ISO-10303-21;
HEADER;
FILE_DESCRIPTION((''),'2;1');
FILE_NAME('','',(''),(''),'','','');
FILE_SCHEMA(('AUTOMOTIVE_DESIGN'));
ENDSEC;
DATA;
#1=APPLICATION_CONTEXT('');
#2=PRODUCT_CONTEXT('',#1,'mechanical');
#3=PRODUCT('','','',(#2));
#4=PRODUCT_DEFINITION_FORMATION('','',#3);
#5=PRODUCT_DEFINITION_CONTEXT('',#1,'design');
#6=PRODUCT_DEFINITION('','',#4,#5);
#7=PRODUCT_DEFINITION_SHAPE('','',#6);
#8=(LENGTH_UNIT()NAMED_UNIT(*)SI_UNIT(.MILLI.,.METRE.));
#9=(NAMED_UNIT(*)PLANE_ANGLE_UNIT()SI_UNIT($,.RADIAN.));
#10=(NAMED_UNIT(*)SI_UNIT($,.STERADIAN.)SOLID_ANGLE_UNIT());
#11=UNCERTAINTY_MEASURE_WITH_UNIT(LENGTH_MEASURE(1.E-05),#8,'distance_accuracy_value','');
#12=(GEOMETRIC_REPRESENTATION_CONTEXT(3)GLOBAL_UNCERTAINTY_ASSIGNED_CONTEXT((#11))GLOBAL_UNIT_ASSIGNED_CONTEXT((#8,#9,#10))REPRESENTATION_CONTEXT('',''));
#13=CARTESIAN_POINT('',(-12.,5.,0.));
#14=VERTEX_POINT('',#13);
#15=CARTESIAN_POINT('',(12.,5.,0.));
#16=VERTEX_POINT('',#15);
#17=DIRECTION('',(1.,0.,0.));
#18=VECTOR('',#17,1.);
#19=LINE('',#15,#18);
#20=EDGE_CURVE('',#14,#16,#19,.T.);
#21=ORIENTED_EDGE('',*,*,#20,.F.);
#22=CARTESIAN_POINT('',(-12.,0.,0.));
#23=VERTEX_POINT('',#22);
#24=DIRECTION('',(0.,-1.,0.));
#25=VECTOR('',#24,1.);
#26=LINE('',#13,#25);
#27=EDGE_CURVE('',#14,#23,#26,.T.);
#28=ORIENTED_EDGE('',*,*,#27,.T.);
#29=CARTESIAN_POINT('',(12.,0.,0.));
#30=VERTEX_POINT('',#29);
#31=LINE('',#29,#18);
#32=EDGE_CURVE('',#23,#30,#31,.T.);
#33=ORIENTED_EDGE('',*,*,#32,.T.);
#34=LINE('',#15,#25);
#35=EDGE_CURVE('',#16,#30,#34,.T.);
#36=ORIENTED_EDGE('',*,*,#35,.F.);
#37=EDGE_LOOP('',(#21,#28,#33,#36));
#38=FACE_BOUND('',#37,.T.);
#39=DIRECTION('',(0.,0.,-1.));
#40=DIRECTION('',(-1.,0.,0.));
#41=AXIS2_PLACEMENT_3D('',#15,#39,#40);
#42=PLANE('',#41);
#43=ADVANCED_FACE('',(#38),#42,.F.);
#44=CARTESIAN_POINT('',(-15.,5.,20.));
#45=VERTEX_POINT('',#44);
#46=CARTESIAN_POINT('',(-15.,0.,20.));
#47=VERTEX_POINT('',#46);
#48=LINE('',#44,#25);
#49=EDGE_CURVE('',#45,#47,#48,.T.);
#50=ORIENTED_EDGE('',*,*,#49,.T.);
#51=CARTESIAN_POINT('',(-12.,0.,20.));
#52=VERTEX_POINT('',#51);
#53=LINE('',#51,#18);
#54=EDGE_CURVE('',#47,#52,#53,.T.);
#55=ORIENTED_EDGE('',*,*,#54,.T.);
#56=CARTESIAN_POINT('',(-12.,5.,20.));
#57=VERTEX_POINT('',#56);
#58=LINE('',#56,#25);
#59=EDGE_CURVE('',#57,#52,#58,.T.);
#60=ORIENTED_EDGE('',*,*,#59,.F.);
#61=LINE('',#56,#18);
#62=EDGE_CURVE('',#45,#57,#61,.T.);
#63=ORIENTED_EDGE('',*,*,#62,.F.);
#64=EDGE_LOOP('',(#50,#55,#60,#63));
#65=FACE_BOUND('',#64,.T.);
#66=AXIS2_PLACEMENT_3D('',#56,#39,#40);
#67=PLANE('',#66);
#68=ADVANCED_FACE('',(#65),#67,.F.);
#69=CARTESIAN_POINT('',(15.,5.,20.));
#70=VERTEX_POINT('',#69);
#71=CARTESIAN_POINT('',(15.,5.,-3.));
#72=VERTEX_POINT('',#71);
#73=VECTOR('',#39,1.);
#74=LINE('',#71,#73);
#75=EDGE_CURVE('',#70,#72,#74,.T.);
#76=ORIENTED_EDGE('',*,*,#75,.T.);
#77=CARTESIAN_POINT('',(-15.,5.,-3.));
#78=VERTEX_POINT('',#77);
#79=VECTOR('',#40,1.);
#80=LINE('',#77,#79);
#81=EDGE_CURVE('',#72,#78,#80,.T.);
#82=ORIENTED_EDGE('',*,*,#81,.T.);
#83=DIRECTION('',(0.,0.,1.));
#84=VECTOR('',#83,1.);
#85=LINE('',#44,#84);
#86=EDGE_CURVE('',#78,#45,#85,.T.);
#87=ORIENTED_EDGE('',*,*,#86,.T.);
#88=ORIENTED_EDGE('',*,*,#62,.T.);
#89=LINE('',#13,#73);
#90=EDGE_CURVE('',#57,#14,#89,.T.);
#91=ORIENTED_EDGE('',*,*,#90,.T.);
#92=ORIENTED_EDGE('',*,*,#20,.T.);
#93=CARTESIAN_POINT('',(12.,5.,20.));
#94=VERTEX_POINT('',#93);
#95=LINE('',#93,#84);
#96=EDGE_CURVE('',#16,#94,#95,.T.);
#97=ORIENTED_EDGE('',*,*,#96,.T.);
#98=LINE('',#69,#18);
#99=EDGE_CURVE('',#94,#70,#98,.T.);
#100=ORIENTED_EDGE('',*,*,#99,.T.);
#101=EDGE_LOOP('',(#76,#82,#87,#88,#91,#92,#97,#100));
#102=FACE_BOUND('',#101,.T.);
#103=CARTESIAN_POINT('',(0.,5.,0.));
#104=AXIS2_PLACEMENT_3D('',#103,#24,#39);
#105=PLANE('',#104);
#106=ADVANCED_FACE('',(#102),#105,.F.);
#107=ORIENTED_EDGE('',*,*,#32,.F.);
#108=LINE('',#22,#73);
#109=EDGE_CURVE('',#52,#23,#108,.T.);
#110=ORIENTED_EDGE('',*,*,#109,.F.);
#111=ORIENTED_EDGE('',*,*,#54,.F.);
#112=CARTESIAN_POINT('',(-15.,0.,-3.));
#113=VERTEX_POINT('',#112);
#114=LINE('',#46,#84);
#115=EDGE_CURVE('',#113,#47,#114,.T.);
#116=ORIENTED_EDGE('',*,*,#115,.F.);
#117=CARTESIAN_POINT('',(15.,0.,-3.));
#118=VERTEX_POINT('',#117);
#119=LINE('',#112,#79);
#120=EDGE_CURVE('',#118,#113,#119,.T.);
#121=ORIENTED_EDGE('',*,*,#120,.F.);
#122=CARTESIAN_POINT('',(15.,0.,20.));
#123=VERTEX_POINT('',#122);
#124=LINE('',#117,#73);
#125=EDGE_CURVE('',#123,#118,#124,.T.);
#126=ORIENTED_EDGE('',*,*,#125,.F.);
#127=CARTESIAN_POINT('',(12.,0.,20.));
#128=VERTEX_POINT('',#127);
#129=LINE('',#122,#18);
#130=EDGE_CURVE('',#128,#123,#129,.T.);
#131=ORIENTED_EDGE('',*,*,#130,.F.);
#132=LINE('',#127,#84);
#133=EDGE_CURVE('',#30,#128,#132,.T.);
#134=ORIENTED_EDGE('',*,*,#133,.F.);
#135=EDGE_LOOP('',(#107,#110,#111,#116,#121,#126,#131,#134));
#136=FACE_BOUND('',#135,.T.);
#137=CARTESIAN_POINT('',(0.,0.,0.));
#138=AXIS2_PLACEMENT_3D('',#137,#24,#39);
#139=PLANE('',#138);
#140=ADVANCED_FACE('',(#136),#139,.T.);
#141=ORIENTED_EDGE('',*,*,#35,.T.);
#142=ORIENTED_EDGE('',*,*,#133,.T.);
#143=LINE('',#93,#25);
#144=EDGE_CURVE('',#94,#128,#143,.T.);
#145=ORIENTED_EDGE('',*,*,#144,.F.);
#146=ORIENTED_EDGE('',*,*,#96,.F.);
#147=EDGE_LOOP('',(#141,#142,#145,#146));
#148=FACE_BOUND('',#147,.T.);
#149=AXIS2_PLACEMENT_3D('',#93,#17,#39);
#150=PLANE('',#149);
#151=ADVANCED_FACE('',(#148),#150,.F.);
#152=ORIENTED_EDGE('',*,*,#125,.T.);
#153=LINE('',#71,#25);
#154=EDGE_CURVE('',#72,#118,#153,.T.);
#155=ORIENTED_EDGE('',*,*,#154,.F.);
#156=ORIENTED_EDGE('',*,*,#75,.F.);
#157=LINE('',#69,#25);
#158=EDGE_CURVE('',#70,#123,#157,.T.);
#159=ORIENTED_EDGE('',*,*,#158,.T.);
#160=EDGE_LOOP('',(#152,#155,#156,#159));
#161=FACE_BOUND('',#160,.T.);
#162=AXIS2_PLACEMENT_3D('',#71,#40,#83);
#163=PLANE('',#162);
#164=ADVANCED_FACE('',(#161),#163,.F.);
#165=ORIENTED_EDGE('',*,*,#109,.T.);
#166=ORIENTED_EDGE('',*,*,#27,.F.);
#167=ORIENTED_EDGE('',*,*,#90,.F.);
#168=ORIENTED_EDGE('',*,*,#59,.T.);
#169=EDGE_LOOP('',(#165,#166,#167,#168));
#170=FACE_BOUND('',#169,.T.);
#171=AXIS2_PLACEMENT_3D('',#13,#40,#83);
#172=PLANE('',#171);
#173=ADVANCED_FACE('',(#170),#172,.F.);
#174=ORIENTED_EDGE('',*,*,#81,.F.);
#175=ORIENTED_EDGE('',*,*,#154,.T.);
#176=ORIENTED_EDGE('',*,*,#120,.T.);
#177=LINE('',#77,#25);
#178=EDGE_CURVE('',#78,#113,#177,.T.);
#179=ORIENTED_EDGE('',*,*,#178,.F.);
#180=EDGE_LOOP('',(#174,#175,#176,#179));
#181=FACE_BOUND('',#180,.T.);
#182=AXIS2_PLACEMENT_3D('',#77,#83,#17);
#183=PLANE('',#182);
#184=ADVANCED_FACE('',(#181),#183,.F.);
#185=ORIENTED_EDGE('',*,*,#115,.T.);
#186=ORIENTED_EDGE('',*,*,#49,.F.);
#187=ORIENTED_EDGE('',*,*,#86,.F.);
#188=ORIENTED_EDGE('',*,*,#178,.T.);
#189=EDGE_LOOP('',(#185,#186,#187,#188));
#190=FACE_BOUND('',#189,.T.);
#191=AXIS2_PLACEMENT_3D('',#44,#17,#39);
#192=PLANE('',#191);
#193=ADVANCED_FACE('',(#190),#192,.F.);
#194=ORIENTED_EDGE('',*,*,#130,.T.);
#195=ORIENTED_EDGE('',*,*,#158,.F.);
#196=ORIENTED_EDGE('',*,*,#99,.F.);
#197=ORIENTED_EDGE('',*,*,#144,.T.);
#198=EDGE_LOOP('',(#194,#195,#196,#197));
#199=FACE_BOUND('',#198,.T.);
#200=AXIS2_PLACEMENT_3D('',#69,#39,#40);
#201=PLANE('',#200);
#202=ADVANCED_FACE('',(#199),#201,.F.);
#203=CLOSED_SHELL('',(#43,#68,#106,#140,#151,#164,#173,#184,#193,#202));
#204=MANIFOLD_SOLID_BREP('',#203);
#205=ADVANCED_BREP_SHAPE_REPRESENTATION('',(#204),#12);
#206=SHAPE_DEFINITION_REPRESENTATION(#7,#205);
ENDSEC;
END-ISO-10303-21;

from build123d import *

# Parameters (mm, degrees)
EXTRUDE_2_DEPTH = 5


with BuildPart() as part:
    # 草图3 → 凸台-拉伸2 (new body)
    with BuildSketch(Plane(origin=(0, 0, 0), x_dir=(1, 0, 0), z_dir=(0, 1, 0))):
        Polygon((-15, 3), (15, 3), (15, -20), (12, -20), (12, 0), (-12, 0), (-12, -20), (-15, -20), align=None)
    extrude(amount=EXTRUDE_2_DEPTH)


solid = part.part
